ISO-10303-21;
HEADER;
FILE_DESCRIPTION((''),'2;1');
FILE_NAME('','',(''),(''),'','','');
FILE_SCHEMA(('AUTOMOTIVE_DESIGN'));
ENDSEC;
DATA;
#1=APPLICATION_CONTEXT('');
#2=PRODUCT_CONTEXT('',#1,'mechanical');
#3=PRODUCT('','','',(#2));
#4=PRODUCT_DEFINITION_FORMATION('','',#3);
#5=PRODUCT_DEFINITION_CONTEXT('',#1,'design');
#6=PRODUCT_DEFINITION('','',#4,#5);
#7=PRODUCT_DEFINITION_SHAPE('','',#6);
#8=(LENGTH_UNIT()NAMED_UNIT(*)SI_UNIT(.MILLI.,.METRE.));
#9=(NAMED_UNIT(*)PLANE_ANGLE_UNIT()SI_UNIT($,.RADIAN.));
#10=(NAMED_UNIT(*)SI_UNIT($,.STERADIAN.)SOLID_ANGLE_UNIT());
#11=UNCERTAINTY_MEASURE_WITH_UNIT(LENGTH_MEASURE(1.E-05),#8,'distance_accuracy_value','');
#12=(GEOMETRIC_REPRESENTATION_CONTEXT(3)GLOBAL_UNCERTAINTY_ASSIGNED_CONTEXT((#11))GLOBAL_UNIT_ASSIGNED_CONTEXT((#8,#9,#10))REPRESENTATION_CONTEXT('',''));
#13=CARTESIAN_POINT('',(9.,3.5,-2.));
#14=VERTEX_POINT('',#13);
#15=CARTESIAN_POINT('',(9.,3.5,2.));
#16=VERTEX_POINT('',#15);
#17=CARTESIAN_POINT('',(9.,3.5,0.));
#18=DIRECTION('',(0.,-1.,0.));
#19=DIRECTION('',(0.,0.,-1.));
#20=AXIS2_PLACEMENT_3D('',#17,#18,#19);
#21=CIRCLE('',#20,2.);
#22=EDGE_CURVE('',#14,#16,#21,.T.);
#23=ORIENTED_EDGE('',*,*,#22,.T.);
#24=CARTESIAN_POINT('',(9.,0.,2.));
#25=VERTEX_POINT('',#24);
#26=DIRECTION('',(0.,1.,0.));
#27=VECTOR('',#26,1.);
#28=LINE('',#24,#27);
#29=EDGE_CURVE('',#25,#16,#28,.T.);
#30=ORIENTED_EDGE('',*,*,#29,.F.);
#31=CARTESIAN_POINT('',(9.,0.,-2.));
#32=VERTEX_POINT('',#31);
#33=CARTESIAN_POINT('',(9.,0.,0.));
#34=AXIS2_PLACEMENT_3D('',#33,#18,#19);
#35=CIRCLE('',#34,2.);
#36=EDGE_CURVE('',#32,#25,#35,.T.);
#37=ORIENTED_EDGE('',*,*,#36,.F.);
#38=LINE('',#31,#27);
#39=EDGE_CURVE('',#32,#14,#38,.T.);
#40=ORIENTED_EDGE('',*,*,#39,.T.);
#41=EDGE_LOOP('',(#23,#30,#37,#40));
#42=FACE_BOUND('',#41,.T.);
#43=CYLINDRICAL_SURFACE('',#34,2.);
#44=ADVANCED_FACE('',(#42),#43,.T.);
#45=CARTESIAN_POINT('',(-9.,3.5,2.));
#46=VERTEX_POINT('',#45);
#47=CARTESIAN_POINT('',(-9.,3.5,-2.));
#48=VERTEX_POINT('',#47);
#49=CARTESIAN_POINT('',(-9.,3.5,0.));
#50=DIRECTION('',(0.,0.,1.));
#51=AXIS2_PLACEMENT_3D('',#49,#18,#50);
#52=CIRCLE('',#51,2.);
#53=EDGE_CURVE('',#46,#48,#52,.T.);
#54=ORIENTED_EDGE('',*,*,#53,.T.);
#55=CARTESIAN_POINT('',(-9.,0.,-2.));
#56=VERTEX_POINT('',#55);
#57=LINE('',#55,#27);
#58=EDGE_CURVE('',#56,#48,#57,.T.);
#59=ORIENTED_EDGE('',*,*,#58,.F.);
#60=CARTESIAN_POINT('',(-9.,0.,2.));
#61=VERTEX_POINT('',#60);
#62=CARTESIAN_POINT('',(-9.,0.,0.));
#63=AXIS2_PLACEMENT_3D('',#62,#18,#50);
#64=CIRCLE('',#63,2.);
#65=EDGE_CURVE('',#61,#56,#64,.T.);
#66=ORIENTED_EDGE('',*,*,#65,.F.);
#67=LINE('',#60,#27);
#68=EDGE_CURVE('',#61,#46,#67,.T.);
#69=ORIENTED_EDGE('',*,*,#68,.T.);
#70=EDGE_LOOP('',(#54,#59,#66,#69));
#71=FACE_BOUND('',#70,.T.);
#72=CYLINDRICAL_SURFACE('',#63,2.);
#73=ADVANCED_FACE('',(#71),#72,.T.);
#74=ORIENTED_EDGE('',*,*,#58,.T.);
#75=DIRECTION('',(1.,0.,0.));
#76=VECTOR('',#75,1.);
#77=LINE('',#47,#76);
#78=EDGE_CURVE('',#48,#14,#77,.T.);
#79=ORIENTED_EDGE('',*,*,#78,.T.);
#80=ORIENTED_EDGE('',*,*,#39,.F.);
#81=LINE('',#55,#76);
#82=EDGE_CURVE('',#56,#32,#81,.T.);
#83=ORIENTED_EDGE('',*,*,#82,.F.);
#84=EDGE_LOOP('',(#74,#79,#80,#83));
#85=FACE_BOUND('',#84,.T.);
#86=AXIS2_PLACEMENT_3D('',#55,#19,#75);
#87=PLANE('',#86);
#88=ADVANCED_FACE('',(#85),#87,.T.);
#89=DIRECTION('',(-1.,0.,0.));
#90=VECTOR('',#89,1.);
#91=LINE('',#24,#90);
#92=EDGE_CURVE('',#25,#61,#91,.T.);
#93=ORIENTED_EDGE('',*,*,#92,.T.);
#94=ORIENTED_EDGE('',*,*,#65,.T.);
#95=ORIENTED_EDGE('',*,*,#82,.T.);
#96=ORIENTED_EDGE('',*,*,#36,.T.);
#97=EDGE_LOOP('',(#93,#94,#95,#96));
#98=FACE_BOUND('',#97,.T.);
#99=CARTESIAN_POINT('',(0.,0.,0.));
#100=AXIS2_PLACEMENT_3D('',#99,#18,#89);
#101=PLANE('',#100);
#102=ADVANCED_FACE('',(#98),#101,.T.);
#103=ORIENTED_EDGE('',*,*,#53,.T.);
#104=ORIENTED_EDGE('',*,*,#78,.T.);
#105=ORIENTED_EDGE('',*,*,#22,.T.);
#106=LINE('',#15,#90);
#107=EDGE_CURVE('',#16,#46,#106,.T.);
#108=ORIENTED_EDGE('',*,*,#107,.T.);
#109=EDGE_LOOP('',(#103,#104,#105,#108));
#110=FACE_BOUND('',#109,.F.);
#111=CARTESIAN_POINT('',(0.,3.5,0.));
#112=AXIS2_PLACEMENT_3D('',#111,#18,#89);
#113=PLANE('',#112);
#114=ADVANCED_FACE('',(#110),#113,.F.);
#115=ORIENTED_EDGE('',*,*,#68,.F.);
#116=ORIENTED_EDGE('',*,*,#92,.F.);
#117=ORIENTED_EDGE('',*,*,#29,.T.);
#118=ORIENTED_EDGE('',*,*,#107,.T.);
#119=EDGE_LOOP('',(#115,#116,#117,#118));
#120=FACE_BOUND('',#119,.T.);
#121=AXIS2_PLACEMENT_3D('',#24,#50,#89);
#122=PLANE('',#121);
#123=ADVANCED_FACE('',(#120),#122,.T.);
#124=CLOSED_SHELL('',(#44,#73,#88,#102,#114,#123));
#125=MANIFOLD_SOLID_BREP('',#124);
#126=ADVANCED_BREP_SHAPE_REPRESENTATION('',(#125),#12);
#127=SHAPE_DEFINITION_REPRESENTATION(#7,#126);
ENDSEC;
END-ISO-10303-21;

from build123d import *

# Parameters (mm, degrees)
BOSS_EXTRUDE1_DEPTH = 3.5


with BuildPart() as part:
    # Sketch1 → Boss-Extrude1 (new body)
    with BuildSketch(Plane(origin=(0, 0, 0), x_dir=(1, 0, 0), z_dir=(0, 1, 0))):
        with BuildLine():
            Line((-9, 2), (9, 2))
            ThreePointArc((9, 2), (11, 0), (9, -2))
            Line((9, -2), (-9, -2))
            ThreePointArc((-9, -2), (-11, 0), (-9, 2))
        make_face()
    extrude(amount=BOSS_EXTRUDE1_DEPTH)


solid = part.part
